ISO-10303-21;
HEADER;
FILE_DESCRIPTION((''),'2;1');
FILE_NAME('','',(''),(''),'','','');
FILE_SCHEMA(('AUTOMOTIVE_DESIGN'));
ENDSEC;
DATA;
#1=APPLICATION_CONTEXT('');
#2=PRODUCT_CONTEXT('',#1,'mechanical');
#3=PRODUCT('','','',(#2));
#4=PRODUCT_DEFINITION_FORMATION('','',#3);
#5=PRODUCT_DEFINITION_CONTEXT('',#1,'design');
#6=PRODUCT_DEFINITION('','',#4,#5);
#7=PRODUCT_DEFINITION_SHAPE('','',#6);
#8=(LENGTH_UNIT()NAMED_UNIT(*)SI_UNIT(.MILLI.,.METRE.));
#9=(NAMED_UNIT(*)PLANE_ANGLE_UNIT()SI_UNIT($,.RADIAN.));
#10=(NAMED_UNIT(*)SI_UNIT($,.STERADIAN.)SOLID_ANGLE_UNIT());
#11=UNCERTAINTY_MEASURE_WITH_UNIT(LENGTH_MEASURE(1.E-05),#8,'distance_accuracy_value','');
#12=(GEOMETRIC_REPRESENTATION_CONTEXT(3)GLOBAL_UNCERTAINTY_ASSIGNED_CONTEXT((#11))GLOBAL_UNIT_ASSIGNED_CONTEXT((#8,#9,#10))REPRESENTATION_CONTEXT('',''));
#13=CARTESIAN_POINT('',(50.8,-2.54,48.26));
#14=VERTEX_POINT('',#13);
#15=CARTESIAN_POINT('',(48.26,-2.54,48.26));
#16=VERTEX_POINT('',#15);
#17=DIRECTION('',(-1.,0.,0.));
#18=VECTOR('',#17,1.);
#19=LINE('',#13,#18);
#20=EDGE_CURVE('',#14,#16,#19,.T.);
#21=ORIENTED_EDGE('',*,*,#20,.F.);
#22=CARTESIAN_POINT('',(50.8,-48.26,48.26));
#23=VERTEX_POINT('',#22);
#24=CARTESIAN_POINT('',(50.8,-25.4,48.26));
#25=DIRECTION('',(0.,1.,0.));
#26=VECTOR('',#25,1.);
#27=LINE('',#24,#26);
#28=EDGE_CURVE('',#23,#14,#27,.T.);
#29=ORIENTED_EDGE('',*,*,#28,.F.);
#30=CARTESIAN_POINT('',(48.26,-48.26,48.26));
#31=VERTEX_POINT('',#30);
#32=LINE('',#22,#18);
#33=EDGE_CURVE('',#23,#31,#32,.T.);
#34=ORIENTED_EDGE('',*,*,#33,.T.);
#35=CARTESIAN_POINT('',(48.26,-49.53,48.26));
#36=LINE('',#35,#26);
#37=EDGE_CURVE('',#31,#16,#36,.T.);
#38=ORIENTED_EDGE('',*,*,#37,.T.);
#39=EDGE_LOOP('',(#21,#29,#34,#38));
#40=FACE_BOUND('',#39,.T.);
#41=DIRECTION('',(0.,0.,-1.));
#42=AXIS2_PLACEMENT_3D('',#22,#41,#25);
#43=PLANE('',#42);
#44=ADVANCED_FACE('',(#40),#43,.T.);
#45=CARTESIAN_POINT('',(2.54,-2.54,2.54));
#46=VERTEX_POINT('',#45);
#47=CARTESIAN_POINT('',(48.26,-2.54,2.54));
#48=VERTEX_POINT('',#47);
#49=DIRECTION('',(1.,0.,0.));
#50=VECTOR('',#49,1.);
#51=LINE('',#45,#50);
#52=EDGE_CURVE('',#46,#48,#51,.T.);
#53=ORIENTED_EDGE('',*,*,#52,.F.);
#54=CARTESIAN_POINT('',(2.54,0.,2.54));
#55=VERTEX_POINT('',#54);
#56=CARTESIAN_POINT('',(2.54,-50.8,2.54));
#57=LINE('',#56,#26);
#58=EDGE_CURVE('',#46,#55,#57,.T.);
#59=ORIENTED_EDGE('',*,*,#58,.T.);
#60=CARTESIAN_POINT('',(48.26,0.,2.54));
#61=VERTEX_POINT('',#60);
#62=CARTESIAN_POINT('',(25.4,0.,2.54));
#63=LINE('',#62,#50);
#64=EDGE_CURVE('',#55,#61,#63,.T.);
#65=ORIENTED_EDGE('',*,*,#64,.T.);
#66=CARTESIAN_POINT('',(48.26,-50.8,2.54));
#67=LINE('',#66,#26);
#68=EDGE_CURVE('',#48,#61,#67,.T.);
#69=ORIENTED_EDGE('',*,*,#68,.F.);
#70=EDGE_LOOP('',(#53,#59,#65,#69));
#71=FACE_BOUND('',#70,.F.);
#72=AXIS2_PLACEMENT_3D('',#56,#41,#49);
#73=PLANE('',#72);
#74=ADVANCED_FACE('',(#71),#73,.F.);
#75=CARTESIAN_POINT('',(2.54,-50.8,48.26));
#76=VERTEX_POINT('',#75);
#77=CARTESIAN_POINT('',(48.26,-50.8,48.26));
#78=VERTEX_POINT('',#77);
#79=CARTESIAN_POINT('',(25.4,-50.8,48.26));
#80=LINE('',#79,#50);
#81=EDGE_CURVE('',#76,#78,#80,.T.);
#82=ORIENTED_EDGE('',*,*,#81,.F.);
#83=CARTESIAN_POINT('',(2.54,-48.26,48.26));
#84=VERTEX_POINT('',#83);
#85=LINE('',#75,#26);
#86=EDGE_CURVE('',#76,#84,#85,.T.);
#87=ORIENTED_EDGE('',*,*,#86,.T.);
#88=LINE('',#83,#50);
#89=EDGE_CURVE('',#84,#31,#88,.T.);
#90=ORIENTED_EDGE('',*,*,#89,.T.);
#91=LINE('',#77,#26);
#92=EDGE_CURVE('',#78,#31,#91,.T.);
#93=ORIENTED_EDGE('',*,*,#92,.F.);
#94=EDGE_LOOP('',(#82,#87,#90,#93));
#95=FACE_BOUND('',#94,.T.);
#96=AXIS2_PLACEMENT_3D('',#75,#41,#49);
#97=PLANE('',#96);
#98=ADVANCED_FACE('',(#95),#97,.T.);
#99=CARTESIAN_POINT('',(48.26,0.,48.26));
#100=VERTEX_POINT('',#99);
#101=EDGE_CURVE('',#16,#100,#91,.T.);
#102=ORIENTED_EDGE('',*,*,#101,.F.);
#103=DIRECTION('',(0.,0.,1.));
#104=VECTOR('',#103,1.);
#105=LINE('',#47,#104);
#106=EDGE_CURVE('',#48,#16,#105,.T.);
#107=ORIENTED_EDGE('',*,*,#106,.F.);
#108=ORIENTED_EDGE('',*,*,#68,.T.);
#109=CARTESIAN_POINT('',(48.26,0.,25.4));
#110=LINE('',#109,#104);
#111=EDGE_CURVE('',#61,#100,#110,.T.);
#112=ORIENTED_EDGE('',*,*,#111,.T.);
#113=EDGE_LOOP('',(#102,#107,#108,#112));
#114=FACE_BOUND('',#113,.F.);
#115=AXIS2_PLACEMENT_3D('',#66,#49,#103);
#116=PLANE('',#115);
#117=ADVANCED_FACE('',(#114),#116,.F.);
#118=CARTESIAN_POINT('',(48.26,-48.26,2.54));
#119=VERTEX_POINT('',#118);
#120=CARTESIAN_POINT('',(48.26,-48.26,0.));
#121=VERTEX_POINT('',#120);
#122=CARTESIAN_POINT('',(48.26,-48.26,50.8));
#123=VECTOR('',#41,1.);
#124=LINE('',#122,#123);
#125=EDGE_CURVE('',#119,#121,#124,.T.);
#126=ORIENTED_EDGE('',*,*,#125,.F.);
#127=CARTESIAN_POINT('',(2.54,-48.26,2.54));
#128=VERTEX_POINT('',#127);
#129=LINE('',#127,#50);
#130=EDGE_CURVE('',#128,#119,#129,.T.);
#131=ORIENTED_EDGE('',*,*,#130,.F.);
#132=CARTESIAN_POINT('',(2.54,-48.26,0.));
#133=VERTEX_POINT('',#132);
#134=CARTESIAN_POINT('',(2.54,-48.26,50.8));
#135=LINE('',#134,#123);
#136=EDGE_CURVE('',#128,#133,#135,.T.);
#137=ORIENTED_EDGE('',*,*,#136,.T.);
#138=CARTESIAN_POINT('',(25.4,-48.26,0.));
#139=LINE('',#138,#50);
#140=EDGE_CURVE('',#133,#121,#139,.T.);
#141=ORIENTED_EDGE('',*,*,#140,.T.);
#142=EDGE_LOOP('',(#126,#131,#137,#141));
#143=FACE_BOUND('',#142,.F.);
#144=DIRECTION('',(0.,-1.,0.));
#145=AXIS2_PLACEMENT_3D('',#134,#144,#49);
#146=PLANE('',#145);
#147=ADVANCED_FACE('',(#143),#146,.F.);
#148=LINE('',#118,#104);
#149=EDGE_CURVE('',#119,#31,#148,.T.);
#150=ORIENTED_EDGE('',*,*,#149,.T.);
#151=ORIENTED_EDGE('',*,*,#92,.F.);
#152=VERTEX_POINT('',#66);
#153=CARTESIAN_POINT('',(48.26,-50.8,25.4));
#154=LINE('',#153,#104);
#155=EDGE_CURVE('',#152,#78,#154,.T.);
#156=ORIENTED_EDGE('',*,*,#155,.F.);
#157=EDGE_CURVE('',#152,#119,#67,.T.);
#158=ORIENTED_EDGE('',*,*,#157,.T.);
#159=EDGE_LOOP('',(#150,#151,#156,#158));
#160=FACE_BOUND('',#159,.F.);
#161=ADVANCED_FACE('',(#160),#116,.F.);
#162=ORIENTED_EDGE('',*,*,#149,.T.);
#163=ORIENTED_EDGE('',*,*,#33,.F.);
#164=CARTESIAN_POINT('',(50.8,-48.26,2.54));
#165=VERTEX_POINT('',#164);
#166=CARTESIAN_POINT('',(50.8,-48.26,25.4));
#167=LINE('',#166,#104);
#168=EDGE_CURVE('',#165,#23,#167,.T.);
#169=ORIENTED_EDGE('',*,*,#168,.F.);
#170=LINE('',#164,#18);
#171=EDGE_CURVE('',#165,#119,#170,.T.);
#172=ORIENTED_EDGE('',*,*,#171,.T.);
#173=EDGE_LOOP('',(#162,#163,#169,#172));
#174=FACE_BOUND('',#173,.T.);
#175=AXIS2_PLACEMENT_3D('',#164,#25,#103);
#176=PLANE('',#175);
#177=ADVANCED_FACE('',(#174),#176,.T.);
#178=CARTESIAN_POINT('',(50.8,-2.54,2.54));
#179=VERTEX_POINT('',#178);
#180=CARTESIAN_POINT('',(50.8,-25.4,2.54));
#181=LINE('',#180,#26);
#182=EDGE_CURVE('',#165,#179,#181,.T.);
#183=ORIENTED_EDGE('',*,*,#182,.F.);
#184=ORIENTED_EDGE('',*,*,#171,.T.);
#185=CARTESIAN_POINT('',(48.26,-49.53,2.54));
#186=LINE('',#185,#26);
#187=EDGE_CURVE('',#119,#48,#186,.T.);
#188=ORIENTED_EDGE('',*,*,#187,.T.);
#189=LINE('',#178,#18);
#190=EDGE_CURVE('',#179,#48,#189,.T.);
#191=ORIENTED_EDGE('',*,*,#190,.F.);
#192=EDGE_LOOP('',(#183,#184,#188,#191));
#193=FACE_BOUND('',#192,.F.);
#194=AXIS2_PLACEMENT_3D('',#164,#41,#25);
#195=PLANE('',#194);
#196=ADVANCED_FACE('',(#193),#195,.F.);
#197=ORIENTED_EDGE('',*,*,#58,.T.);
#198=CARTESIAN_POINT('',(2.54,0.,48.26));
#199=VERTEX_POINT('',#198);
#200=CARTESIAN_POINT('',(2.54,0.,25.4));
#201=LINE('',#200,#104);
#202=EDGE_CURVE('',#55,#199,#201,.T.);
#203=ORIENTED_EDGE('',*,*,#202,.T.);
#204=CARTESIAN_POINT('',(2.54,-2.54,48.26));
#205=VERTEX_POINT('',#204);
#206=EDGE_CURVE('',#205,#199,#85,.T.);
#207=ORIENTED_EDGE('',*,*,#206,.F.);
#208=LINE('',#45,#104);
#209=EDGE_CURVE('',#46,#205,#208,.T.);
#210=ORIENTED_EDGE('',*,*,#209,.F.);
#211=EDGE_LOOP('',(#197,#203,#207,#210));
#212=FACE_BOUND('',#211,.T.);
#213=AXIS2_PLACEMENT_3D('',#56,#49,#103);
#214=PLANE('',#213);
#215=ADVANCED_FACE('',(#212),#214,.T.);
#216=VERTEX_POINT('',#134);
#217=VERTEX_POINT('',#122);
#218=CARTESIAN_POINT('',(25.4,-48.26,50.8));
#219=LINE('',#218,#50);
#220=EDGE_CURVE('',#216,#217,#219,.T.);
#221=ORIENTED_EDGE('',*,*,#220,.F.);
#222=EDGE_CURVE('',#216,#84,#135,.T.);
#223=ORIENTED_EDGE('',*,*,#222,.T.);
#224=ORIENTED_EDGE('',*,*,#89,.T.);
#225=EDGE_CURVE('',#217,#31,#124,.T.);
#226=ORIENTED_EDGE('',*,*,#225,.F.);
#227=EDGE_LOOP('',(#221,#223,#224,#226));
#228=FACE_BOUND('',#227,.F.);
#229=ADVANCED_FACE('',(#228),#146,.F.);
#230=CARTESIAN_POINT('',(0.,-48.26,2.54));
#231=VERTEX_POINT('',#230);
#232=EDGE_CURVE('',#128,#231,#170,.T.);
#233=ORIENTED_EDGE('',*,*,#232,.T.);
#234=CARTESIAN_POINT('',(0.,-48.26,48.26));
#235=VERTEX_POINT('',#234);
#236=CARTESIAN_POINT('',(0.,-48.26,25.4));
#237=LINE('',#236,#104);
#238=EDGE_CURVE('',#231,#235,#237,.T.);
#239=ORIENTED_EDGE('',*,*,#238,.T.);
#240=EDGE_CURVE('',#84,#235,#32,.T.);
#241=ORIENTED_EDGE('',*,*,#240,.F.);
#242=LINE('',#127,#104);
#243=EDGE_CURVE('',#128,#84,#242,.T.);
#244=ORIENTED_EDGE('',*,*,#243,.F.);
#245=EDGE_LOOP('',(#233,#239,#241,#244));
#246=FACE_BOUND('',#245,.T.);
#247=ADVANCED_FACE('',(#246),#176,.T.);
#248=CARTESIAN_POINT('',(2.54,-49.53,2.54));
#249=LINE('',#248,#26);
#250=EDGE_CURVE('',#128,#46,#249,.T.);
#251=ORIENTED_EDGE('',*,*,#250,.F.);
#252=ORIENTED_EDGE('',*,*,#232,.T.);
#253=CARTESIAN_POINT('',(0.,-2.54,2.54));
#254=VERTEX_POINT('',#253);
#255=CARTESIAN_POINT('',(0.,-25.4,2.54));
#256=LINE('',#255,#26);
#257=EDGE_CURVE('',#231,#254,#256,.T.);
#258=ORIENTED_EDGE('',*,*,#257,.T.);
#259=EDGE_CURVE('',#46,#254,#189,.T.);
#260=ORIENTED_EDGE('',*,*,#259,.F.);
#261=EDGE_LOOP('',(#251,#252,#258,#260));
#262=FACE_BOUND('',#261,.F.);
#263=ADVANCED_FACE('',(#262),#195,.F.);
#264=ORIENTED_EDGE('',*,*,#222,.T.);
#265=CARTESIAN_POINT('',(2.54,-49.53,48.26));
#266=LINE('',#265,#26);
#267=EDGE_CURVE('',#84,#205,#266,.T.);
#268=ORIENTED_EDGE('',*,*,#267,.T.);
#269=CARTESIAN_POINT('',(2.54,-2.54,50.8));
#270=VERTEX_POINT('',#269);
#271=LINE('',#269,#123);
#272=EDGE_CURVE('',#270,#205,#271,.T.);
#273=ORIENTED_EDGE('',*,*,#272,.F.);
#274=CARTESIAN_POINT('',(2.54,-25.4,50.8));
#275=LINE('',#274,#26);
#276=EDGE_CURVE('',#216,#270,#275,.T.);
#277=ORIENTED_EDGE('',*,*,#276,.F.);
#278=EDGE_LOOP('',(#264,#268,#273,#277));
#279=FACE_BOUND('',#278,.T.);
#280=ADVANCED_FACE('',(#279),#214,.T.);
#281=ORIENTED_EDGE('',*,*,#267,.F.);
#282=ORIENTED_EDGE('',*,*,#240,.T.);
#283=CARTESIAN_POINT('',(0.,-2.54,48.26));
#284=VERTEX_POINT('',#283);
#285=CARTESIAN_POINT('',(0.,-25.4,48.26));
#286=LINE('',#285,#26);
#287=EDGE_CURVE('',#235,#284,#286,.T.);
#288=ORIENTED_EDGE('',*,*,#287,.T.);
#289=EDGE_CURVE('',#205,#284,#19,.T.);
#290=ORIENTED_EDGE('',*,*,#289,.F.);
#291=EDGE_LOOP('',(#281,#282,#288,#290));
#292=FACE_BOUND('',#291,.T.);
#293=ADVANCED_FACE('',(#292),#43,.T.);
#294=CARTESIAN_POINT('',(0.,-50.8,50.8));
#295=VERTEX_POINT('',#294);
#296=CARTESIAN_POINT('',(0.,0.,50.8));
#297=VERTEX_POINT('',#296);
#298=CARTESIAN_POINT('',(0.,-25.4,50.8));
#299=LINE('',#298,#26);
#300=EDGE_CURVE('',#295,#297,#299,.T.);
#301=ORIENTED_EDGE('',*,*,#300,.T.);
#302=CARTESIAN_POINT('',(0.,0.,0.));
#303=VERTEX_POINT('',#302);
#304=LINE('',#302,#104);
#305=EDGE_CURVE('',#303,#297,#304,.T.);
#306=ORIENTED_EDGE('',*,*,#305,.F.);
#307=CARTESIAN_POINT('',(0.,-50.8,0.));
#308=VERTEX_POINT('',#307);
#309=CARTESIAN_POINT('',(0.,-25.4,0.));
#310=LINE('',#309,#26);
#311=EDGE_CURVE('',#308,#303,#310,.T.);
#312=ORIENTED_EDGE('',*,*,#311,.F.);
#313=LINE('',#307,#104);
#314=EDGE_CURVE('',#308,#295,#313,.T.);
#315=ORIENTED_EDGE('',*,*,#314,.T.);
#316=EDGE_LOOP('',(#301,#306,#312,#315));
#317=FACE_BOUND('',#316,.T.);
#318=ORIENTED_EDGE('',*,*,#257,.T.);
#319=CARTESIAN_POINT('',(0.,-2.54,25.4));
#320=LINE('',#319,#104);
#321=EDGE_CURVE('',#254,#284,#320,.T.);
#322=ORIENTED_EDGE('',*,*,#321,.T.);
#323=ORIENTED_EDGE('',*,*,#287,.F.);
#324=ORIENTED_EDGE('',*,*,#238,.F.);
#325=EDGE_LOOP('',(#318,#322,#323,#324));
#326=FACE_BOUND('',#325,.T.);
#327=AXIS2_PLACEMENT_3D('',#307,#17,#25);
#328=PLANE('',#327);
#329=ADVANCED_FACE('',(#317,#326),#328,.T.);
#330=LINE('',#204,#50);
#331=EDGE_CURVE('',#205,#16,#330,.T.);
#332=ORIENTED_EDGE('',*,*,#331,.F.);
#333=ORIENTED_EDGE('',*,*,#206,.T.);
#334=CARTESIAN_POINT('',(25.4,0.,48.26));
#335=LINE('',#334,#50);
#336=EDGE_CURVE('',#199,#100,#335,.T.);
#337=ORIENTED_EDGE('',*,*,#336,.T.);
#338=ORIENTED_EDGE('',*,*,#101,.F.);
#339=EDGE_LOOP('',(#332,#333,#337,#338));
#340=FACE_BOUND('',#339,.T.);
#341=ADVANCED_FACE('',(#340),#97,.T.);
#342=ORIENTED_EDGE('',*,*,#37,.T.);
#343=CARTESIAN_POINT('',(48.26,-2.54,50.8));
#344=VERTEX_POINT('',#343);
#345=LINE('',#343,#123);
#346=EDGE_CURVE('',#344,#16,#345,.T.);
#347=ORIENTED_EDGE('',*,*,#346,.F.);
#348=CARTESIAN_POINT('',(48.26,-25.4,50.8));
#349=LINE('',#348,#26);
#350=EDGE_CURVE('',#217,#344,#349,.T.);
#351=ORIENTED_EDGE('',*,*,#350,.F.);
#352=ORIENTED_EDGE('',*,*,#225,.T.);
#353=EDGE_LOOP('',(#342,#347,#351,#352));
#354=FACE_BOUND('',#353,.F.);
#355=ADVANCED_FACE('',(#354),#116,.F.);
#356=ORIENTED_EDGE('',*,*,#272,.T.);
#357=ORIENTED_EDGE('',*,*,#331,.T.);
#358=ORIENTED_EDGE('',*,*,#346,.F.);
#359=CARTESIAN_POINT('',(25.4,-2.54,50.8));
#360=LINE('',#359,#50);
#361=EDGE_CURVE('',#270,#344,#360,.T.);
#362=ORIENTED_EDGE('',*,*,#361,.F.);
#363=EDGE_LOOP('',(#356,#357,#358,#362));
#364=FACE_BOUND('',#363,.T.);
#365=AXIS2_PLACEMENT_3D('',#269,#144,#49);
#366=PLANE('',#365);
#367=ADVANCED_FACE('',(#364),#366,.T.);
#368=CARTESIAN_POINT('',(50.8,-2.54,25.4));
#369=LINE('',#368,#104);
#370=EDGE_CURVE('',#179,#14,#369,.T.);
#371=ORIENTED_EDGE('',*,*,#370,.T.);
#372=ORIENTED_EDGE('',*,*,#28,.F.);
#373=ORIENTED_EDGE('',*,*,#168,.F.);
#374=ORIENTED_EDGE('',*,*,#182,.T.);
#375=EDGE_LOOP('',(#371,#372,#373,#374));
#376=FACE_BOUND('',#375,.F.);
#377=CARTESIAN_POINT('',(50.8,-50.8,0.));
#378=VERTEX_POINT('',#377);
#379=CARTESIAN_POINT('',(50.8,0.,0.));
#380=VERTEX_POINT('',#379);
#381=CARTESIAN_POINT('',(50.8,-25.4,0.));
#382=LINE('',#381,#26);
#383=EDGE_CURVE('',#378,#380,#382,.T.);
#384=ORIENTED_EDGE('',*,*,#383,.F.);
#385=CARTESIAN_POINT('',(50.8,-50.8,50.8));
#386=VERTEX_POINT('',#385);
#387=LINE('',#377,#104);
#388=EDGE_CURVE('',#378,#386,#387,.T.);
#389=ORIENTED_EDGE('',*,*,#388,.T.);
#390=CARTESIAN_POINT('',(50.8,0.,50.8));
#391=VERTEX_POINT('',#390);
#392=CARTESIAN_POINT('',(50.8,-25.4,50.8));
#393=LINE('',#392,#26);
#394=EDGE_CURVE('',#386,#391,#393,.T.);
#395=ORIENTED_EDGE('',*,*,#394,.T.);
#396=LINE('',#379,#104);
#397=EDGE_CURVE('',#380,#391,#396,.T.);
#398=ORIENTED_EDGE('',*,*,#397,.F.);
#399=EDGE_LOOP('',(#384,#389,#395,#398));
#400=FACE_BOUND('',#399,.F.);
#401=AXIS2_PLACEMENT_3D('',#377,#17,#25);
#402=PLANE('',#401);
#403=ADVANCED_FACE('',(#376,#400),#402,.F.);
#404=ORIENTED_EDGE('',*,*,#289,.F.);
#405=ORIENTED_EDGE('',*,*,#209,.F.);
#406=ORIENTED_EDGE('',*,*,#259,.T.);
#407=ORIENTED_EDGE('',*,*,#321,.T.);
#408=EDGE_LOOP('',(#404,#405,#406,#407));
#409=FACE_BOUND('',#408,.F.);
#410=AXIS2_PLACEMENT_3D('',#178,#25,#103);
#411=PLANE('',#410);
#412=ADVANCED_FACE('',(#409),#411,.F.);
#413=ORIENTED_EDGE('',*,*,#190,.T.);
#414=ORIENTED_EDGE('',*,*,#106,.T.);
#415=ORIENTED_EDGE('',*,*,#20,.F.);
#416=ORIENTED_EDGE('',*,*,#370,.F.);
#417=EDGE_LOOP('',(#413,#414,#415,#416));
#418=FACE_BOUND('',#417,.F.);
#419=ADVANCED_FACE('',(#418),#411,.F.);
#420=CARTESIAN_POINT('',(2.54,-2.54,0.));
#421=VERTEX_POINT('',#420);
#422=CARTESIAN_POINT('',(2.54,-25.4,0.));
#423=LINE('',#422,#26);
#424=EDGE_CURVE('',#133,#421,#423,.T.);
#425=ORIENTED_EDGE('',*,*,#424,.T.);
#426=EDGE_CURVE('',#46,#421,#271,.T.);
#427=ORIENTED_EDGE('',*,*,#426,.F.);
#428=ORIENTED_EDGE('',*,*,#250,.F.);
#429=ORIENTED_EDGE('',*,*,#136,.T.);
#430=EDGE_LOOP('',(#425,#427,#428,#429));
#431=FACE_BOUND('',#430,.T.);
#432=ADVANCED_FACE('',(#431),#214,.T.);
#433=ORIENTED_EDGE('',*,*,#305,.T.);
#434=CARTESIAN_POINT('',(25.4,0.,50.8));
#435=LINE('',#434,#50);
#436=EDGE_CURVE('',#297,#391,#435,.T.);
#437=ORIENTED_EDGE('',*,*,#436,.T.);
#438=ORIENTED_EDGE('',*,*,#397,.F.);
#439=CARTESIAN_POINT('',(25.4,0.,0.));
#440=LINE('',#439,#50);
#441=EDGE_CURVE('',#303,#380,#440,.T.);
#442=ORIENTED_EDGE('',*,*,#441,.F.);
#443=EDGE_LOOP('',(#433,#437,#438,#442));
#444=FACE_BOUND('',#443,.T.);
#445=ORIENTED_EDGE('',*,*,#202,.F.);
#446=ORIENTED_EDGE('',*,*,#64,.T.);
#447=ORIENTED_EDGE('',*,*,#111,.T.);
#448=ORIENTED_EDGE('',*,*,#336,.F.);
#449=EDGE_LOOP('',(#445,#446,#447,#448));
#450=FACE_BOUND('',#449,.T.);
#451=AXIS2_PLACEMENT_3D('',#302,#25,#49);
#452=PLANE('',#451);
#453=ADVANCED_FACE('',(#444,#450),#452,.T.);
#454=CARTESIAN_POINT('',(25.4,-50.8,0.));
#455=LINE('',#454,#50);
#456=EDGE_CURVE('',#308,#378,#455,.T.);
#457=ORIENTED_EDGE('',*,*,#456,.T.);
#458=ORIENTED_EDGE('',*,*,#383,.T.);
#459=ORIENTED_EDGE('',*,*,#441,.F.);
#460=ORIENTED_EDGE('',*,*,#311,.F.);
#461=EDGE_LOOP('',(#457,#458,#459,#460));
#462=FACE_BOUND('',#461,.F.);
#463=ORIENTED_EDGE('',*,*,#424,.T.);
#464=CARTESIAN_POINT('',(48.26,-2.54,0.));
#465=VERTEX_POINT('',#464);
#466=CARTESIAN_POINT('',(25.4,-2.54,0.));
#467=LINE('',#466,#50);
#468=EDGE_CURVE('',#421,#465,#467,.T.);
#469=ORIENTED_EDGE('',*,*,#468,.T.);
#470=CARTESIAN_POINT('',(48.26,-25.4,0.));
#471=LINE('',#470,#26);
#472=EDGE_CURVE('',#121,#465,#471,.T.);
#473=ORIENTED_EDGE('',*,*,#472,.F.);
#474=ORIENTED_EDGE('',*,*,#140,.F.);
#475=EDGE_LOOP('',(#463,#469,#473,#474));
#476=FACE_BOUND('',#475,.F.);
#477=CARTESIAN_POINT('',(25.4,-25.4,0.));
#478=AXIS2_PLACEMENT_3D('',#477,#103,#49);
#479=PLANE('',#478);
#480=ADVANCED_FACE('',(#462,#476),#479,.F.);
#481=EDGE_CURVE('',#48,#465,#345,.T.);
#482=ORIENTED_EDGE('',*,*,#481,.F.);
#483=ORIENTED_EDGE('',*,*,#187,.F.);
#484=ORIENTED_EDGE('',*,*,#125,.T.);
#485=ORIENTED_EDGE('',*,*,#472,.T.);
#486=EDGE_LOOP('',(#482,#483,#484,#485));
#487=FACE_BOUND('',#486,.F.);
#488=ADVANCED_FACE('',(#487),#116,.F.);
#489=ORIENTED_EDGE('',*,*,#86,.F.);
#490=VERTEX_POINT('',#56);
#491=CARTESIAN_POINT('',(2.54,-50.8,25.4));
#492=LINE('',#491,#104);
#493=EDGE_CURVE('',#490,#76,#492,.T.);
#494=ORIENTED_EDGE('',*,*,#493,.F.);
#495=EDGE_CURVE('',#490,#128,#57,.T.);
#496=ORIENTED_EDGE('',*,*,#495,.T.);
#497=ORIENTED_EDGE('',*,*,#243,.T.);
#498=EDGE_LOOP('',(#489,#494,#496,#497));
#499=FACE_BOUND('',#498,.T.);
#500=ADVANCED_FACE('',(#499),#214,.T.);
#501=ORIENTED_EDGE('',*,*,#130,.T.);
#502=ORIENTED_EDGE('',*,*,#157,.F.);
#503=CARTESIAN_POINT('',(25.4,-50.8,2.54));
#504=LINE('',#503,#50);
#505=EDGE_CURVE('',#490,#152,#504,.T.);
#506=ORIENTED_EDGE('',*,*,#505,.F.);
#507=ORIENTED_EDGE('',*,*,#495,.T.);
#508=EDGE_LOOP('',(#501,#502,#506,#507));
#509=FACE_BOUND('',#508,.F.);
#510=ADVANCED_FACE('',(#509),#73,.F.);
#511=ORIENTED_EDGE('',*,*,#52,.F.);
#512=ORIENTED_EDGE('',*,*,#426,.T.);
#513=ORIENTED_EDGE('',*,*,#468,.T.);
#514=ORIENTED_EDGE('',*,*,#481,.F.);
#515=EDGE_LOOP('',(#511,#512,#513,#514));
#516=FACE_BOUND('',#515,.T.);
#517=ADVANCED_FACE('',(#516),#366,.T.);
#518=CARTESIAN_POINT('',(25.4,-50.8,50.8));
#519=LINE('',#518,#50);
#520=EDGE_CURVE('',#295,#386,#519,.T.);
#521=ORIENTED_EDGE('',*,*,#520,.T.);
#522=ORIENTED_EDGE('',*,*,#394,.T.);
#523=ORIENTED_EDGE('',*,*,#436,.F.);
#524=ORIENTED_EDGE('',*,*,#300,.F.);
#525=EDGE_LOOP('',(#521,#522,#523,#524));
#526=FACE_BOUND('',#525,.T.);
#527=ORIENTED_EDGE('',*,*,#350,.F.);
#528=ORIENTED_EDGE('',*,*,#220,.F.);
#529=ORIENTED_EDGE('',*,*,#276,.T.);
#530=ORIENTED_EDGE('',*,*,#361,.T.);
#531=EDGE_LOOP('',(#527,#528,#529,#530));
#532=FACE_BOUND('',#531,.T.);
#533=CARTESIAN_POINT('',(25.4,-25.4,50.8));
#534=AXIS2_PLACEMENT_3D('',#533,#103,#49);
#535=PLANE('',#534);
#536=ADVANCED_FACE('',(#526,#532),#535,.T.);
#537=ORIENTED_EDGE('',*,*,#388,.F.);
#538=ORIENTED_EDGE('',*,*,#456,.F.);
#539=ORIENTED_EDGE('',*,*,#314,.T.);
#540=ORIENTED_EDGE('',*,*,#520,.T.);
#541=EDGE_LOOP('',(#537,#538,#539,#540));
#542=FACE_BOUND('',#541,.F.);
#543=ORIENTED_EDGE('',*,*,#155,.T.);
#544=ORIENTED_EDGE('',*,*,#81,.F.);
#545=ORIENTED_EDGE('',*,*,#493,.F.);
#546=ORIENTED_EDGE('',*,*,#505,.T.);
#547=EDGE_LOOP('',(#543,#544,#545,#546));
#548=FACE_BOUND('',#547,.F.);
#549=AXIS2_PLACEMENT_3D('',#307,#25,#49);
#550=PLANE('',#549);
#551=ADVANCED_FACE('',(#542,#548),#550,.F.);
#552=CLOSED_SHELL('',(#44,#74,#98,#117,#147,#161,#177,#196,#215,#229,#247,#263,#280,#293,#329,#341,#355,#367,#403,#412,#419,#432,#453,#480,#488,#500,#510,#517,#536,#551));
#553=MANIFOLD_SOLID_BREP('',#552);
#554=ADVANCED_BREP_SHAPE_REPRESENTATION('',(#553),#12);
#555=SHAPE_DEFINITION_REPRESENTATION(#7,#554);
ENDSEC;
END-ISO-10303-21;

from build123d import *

# Parameters (mm, degrees)
F0_W     = 50.8
F0_H     = 50.8
F1_DEPTH = 50.8
F2_W     = 45.72
F2_H     = 45.72
F3_DEPTH = 50.8
F4_W     = 45.72
F4_H     = 45.72
F5_DEPTH = 50.8
F6_W     = 45.72
F6_H     = 45.72
F7_DEPTH = 50.8


with BuildPart() as f1:
    # F0 (on Top) → F1 (new body)
    with BuildSketch(Plane.XY):
        with Locations((25.4, -25.4)):
            Rectangle(F0_W, F0_H)
    extrude(amount=F1_DEPTH)

    # F2 (on face) → F3 (cut)
    with BuildSketch(Plane.XY.offset(50.8)):
        with Locations((25.4, -25.4)):
            Rectangle(F2_W, F2_H)
    extrude(amount=-F3_DEPTH, mode=Mode.SUBTRACT)

    # F4 (on face) → F5 (cut)
    with BuildSketch(Plane.XZ.offset(50.8)):
        with Locations((25.4, 25.4)):
            Rectangle(F4_W, F4_H)
    extrude(amount=-F5_DEPTH, mode=Mode.SUBTRACT)

    # F6 (on face) → F7 (cut)
    with BuildSketch(Plane.YZ.offset(50.8)):
        with Locations((-25.4, 25.4)):
            Rectangle(F6_W, F6_H)
    extrude(amount=-F7_DEPTH, mode=Mode.SUBTRACT)


solid = f1.part
